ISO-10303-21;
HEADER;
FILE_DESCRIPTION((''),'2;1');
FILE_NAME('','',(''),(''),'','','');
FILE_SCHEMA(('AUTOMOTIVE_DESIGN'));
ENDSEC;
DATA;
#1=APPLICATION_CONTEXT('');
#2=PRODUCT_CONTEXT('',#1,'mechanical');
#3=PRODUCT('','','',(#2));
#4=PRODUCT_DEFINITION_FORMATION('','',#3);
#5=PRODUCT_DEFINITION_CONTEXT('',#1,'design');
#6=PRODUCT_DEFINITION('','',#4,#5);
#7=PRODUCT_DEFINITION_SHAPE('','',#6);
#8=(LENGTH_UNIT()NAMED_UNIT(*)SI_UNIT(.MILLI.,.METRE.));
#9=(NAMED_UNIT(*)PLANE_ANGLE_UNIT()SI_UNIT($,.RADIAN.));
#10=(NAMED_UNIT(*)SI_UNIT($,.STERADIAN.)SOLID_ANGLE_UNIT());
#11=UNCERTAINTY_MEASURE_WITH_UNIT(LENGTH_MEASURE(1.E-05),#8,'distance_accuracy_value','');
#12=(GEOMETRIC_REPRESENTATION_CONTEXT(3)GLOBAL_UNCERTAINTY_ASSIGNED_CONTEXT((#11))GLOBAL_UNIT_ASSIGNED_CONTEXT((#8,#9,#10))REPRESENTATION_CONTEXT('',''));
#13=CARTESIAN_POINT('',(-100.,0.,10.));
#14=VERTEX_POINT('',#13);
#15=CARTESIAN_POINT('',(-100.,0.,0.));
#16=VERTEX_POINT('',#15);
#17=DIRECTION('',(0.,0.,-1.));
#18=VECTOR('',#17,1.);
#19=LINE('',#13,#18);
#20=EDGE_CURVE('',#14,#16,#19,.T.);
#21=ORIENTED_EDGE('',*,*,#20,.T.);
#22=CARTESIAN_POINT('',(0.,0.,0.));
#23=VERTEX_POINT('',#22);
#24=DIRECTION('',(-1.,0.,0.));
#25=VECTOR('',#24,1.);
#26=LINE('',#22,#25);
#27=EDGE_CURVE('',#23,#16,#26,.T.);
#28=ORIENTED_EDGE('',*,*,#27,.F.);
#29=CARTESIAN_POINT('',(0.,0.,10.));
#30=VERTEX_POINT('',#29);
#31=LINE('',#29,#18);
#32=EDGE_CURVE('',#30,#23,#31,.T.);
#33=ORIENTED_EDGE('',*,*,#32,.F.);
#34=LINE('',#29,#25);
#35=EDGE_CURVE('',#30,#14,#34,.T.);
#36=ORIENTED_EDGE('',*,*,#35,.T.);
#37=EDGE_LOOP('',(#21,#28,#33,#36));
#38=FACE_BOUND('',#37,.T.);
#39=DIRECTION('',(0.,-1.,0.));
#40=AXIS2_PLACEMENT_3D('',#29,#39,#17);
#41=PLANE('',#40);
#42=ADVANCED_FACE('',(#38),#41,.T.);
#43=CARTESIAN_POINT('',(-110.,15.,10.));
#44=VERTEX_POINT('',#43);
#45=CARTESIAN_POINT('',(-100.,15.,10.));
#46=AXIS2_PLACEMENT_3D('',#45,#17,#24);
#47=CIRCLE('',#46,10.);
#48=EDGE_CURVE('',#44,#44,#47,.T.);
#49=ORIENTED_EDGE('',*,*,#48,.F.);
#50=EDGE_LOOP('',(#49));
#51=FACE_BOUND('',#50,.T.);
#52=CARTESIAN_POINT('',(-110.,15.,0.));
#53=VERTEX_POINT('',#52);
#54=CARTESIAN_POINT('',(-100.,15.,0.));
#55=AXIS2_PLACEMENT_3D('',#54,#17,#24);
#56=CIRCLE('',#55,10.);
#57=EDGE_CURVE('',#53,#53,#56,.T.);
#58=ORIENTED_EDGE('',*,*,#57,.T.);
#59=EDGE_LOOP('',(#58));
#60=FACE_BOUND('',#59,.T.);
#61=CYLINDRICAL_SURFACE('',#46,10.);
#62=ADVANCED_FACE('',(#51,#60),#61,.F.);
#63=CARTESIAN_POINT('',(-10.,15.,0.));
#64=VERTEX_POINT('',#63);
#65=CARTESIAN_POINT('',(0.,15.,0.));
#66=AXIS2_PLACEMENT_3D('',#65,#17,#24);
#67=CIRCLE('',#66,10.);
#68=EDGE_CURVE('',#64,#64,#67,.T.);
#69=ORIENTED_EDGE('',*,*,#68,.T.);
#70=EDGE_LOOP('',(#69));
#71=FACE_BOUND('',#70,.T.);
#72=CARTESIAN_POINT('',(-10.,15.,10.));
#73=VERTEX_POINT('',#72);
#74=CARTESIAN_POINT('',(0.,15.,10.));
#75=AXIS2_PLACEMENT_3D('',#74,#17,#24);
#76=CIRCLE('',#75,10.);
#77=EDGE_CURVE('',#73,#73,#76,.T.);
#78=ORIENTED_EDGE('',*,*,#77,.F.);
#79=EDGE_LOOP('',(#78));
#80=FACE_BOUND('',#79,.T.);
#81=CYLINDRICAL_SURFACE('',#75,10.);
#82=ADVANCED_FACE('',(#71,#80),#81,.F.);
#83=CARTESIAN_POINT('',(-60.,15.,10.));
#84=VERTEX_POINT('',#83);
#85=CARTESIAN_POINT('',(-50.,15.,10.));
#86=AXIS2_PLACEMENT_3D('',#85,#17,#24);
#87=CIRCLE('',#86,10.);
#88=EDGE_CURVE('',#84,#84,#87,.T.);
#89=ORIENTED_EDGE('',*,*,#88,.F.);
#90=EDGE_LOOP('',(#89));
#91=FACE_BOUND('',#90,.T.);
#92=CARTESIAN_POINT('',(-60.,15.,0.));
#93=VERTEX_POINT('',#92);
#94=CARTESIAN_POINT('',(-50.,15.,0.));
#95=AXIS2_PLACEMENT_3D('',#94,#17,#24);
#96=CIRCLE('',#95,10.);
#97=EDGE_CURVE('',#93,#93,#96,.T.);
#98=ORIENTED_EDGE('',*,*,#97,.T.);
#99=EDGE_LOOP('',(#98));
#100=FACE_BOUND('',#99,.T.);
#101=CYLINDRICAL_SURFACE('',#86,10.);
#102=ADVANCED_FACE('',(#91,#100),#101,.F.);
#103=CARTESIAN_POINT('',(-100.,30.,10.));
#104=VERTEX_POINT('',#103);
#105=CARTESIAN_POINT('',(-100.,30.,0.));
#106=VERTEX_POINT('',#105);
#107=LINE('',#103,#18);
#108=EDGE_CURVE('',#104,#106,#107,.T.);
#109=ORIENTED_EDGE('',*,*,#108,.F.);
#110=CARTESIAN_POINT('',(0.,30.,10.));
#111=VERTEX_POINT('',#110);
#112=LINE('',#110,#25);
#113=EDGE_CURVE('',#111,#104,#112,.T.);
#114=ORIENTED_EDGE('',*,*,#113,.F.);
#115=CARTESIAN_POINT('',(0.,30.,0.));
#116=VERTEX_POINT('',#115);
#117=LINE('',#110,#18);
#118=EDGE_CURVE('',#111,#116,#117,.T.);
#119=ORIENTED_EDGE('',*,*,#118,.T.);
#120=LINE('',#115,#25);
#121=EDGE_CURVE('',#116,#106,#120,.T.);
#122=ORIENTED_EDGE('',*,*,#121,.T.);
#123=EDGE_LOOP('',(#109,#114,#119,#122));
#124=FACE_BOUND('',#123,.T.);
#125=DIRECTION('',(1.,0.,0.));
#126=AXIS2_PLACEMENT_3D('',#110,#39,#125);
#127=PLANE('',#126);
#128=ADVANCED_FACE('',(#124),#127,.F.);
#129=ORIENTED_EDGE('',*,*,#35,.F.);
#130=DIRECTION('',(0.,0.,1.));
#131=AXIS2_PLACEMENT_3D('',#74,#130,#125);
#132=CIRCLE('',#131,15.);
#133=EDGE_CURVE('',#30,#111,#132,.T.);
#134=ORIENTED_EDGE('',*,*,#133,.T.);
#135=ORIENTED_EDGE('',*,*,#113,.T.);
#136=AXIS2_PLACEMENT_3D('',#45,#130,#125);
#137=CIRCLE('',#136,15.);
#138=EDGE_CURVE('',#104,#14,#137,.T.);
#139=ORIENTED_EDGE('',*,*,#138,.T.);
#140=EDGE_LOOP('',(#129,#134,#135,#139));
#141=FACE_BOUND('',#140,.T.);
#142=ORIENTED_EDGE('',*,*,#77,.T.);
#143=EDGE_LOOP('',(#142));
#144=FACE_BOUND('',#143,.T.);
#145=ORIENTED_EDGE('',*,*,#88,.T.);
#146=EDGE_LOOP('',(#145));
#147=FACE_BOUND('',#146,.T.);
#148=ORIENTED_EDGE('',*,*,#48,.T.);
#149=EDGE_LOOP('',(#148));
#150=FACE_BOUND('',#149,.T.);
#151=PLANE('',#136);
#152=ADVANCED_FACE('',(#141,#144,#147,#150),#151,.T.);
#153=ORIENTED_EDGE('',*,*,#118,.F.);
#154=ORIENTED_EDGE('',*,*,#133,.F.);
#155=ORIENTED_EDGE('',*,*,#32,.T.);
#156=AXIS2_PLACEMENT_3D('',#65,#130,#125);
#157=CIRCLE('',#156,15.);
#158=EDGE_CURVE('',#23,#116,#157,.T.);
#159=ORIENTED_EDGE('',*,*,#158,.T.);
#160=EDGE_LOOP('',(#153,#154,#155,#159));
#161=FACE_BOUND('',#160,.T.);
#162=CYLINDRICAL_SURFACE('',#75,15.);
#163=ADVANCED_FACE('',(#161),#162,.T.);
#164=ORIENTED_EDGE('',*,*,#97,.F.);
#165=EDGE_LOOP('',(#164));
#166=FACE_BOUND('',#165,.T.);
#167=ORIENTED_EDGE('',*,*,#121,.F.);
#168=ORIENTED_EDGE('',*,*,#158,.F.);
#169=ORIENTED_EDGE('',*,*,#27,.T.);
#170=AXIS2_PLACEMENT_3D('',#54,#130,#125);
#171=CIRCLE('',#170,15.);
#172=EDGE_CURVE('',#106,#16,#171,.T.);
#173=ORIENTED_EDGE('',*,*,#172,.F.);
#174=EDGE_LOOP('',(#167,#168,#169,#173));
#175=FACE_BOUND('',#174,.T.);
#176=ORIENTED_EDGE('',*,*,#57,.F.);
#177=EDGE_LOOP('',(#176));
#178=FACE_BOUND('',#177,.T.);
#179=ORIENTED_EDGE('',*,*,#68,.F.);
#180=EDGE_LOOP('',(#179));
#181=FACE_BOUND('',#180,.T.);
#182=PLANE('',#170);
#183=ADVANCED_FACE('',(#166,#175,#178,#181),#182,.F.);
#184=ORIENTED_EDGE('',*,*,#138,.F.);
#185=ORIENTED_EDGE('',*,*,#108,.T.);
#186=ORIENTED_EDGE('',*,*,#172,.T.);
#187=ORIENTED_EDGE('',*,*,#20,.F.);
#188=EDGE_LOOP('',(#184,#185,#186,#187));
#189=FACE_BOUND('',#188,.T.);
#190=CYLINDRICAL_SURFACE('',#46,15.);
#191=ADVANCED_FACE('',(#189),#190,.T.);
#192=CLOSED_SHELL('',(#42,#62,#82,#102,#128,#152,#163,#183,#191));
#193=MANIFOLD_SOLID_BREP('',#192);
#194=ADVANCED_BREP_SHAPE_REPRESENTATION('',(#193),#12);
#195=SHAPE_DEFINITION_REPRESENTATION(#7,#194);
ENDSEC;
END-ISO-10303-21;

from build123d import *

# Parameters (mm, degrees)
EXTRUDE_2_DEPTH     = 10
SKETCH_2_R          = 10
CUT_EXTRUDE_1_DEPTH = 10
SKETCH_3_R          = 10
CUT_EXTRUDE_2_DEPTH = 10


with BuildPart() as part:
    # Эскиз1 → Бобышка-Вытянуть2 (new body)
    with BuildSketch(Plane.XY):
        with BuildLine():
            Line((0, 0), (-100, 0))
            ThreePointArc((-100, 0), (-115, 15), (-100, 30))
            Line((-100, 30), (0, 30))
            ThreePointArc((0, 30), (15, 15), (0, 0))
        make_face()
    extrude(amount=EXTRUDE_2_DEPTH)

    # Эскиз2 → Вырез-Вытянуть1 (cut)
    with BuildSketch(Plane(origin=(0, 0, 0), x_dir=(-1, 0, 0), z_dir=(0, 0, -1))):
        with Locations((0, 15)):
            Circle(SKETCH_2_R)
        with Locations((100, 15)):
            Circle(SKETCH_2_R)
    extrude(amount=-CUT_EXTRUDE_1_DEPTH, mode=Mode.SUBTRACT)

    # Эскиз3 → Вырез-Вытянуть2 (cut)
    with BuildSketch(Plane(origin=(0, 0, 0), x_dir=(-1, 0, 0), z_dir=(0, 0, -1))):
        with Locations((50, 15)):
            Circle(SKETCH_3_R)
    extrude(amount=-CUT_EXTRUDE_2_DEPTH, mode=Mode.SUBTRACT)


solid = part.part
